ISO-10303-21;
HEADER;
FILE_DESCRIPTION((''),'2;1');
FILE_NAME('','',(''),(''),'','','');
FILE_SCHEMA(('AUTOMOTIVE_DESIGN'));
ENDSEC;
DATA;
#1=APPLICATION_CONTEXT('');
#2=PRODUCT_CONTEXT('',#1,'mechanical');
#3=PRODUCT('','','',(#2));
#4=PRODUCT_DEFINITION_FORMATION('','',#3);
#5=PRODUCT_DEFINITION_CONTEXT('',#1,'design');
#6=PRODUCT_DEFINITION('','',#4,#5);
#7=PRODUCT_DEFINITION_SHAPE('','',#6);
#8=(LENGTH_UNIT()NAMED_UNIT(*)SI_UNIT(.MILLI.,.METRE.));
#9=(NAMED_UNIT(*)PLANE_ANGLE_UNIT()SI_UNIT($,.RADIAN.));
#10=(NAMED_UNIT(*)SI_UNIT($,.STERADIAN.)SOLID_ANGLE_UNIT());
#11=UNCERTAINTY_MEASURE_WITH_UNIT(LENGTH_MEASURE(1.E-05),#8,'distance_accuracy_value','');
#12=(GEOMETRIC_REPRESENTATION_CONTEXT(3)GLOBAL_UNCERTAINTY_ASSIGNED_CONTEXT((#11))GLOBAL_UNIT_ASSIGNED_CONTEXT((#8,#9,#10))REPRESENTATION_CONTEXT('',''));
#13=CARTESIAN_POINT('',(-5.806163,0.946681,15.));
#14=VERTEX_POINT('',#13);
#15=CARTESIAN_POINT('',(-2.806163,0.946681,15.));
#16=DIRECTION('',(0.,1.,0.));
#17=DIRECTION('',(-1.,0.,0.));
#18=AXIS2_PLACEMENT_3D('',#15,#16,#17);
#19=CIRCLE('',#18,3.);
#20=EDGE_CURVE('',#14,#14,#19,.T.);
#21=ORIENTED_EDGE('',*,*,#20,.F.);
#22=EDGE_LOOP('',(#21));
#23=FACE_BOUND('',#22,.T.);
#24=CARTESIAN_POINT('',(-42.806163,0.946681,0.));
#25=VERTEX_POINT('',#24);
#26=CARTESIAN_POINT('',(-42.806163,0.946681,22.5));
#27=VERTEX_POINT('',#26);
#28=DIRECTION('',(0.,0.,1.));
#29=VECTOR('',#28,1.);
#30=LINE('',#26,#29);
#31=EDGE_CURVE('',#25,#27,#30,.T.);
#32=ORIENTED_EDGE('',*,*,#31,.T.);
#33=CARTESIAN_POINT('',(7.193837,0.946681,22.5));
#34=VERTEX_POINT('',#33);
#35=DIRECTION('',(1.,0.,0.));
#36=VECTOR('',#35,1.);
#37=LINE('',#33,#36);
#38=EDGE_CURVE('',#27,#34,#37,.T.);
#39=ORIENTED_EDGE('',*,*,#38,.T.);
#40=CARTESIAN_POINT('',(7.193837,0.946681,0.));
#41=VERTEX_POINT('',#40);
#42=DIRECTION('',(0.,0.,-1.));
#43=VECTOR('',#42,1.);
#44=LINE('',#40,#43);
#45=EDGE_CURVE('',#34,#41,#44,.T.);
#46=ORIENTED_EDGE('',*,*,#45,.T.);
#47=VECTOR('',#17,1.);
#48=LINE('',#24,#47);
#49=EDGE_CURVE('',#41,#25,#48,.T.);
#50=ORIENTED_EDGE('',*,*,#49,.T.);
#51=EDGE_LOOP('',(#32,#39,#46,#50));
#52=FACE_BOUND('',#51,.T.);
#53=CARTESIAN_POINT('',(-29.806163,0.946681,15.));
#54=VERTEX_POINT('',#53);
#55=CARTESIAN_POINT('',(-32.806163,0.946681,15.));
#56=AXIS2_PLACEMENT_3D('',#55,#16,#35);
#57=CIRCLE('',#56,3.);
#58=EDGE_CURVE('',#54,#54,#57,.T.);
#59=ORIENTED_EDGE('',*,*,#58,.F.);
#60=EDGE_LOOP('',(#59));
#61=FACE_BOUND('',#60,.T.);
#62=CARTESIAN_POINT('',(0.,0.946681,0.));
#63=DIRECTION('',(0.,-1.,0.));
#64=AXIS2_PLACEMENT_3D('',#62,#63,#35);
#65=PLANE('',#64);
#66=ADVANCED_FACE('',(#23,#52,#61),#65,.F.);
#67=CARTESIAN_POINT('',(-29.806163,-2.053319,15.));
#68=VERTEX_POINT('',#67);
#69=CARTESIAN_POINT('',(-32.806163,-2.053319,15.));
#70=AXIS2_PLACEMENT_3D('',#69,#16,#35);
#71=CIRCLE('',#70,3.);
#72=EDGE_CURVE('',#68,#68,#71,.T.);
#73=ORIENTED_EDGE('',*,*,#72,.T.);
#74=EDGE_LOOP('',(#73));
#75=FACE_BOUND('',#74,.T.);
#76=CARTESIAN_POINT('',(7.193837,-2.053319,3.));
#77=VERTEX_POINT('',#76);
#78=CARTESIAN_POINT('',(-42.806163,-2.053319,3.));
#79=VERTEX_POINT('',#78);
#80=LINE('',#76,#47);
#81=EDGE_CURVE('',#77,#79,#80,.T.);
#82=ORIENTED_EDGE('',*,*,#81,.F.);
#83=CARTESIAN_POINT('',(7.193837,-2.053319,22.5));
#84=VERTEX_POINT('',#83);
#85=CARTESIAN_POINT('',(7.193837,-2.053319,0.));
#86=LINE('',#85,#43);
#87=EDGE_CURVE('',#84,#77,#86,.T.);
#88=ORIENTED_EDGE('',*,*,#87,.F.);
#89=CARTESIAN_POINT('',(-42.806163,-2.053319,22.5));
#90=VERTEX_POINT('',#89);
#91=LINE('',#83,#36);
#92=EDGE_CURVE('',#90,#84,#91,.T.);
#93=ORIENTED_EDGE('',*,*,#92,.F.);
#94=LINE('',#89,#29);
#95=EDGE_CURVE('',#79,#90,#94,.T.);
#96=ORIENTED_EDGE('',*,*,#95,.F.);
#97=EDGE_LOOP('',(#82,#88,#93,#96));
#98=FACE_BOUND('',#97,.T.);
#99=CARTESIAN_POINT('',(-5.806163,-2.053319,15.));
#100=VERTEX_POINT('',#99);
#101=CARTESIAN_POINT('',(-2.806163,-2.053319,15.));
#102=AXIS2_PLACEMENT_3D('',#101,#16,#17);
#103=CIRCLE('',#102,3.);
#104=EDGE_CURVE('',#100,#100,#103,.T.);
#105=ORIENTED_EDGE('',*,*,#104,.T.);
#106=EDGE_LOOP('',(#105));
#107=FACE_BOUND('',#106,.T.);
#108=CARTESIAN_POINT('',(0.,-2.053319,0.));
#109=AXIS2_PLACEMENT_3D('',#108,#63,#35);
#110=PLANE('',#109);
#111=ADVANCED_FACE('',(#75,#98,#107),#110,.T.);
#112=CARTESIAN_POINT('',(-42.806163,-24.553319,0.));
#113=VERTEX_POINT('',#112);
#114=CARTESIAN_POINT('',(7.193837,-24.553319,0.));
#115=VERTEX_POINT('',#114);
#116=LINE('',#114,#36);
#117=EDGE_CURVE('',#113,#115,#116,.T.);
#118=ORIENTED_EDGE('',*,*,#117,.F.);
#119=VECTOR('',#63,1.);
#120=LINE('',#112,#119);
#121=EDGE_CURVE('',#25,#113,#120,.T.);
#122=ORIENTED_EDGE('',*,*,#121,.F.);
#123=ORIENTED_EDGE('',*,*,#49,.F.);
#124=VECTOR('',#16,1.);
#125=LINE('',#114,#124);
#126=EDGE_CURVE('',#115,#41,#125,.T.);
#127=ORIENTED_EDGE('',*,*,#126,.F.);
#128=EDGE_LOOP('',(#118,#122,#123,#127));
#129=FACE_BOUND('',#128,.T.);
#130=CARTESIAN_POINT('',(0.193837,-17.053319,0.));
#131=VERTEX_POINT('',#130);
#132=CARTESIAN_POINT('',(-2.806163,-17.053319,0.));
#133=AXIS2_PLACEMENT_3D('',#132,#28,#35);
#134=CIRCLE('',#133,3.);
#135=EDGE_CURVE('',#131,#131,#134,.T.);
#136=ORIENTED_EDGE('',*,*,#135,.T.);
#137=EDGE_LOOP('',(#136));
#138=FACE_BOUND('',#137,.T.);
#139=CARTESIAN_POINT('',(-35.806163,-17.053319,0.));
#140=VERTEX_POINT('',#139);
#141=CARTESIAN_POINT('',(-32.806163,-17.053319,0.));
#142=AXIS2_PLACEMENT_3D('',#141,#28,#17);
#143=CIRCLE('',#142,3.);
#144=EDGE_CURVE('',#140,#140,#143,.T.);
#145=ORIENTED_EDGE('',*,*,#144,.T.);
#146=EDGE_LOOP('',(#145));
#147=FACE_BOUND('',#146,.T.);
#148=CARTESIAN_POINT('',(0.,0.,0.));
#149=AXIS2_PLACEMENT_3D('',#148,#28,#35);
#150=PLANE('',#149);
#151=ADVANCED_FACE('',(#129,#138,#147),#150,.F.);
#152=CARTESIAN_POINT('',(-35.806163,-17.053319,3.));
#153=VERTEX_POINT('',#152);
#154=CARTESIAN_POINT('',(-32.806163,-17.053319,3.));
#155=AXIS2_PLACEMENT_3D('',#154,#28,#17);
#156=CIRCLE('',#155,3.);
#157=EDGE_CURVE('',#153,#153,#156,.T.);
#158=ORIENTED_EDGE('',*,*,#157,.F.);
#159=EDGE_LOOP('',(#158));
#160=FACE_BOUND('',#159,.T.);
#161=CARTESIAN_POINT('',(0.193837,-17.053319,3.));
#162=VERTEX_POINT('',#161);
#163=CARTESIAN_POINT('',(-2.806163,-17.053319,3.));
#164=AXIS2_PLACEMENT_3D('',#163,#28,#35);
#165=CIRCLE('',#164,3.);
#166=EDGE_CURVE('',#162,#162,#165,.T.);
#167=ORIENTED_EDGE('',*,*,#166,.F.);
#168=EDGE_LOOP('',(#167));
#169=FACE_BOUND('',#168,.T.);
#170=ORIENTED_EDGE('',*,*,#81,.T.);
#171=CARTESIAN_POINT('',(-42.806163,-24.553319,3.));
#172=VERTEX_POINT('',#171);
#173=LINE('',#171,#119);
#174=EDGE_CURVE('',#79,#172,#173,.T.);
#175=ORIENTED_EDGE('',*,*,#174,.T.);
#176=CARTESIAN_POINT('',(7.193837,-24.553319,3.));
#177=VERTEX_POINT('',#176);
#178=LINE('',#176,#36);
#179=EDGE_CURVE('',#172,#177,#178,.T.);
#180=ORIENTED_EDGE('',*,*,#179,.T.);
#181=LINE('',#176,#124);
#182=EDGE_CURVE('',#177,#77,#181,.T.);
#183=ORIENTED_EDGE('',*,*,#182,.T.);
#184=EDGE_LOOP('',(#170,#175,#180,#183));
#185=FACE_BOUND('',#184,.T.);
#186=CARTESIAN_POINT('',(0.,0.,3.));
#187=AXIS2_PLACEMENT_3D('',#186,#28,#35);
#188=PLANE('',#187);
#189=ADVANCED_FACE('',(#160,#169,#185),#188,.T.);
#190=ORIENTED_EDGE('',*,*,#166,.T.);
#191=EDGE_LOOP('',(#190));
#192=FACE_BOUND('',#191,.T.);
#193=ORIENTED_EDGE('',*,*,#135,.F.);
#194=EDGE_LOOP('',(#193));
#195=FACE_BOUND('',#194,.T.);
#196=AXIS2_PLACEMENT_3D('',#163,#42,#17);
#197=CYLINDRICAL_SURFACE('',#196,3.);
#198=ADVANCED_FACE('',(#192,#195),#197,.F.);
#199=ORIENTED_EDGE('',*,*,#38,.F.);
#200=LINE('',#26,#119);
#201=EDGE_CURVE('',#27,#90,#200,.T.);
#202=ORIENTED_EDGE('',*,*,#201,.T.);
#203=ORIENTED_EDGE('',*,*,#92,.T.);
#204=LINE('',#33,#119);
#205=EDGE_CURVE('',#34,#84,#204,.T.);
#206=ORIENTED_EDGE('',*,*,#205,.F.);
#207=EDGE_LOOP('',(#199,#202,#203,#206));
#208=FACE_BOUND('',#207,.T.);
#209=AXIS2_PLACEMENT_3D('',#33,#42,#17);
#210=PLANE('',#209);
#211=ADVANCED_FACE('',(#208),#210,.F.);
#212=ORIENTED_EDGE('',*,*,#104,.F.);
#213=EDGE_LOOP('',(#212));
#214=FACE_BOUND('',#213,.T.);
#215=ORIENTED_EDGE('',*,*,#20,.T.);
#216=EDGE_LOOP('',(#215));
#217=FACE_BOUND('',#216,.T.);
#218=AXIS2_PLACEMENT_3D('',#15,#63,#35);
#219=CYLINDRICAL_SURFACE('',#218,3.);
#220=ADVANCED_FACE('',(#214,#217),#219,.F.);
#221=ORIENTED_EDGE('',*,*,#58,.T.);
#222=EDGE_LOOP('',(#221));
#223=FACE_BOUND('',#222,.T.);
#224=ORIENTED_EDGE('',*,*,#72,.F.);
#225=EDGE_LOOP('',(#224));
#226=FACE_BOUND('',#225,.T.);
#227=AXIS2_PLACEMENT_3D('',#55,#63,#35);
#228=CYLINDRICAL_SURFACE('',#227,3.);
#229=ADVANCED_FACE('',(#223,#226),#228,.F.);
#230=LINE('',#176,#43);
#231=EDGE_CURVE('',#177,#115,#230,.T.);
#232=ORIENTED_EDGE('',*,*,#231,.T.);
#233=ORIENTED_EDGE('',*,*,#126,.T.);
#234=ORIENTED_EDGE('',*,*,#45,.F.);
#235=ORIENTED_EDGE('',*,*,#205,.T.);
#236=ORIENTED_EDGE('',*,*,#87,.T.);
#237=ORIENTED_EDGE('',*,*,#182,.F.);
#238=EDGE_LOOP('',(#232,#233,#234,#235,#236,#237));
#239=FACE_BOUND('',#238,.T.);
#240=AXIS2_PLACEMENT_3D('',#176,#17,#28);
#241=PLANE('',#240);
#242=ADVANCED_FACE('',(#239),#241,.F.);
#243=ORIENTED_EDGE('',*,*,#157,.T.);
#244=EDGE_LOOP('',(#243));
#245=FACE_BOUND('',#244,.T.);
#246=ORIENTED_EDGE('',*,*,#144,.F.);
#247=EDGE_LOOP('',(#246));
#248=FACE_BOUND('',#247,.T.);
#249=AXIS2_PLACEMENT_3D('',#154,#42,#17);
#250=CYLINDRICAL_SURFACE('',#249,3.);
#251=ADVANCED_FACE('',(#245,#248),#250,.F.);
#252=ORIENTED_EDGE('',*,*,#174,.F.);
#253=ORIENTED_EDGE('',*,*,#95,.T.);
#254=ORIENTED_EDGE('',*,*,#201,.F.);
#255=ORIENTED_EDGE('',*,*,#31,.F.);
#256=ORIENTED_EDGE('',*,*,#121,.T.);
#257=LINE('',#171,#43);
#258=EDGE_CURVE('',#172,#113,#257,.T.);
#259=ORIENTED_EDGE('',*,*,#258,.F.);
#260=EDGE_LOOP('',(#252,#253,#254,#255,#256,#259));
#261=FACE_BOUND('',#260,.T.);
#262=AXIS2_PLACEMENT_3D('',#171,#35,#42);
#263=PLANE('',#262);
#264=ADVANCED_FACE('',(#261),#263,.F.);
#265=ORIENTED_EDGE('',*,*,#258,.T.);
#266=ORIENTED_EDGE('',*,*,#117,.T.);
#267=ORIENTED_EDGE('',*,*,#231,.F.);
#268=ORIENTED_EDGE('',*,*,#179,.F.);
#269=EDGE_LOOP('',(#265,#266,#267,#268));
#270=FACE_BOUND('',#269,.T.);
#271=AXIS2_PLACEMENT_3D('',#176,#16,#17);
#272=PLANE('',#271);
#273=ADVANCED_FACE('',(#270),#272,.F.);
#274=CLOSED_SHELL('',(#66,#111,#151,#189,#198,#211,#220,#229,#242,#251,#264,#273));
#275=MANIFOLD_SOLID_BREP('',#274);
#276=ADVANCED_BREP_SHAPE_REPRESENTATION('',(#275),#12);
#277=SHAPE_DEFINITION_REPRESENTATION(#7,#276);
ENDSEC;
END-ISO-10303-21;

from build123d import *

# Parameters (mm, degrees)
SKETCH1_W           = 50
SKETCH1_H           = 22.5
SKETCH1_R           = 3
BOSS_EXTRUDE1_DEPTH = 3
SKETCH3_W           = 50
SKETCH3_H           = 22.5
SKETCH3_R           = 3
BOSS_EXTRUDE2_DEPTH = 3


with BuildPart() as part:
    # Sketch1 → Boss-Extrude1 (new body)
    with BuildSketch(Plane.XY):
        with Locations((-17.806163097, -13.303318659)):
            Rectangle(SKETCH1_W, SKETCH1_H)
        with Locations((-2.806163097, -17.053318659)):
            Circle(SKETCH1_R, mode=Mode.SUBTRACT)
        with Locations((-32.806163097, -17.053318659)):
            Circle(SKETCH1_R, mode=Mode.SUBTRACT)
    extrude(amount=BOSS_EXTRUDE1_DEPTH)

    # Sketch3 → Boss-Extrude2 (add)
    with BuildSketch(Plane(origin=(0, -2.053318659, 0), x_dir=(1, 0, 0), z_dir=(0, 1, 0))):
        with Locations((-17.806163097, -11.25)):
            Rectangle(SKETCH3_W, SKETCH3_H)
        with Locations((-2.806163097, -15)):
            Circle(SKETCH3_R, mode=Mode.SUBTRACT)
        with Locations((-32.806163097, -15)):
            Circle(SKETCH3_R, mode=Mode.SUBTRACT)
    extrude(amount=BOSS_EXTRUDE2_DEPTH)


solid = part.part
